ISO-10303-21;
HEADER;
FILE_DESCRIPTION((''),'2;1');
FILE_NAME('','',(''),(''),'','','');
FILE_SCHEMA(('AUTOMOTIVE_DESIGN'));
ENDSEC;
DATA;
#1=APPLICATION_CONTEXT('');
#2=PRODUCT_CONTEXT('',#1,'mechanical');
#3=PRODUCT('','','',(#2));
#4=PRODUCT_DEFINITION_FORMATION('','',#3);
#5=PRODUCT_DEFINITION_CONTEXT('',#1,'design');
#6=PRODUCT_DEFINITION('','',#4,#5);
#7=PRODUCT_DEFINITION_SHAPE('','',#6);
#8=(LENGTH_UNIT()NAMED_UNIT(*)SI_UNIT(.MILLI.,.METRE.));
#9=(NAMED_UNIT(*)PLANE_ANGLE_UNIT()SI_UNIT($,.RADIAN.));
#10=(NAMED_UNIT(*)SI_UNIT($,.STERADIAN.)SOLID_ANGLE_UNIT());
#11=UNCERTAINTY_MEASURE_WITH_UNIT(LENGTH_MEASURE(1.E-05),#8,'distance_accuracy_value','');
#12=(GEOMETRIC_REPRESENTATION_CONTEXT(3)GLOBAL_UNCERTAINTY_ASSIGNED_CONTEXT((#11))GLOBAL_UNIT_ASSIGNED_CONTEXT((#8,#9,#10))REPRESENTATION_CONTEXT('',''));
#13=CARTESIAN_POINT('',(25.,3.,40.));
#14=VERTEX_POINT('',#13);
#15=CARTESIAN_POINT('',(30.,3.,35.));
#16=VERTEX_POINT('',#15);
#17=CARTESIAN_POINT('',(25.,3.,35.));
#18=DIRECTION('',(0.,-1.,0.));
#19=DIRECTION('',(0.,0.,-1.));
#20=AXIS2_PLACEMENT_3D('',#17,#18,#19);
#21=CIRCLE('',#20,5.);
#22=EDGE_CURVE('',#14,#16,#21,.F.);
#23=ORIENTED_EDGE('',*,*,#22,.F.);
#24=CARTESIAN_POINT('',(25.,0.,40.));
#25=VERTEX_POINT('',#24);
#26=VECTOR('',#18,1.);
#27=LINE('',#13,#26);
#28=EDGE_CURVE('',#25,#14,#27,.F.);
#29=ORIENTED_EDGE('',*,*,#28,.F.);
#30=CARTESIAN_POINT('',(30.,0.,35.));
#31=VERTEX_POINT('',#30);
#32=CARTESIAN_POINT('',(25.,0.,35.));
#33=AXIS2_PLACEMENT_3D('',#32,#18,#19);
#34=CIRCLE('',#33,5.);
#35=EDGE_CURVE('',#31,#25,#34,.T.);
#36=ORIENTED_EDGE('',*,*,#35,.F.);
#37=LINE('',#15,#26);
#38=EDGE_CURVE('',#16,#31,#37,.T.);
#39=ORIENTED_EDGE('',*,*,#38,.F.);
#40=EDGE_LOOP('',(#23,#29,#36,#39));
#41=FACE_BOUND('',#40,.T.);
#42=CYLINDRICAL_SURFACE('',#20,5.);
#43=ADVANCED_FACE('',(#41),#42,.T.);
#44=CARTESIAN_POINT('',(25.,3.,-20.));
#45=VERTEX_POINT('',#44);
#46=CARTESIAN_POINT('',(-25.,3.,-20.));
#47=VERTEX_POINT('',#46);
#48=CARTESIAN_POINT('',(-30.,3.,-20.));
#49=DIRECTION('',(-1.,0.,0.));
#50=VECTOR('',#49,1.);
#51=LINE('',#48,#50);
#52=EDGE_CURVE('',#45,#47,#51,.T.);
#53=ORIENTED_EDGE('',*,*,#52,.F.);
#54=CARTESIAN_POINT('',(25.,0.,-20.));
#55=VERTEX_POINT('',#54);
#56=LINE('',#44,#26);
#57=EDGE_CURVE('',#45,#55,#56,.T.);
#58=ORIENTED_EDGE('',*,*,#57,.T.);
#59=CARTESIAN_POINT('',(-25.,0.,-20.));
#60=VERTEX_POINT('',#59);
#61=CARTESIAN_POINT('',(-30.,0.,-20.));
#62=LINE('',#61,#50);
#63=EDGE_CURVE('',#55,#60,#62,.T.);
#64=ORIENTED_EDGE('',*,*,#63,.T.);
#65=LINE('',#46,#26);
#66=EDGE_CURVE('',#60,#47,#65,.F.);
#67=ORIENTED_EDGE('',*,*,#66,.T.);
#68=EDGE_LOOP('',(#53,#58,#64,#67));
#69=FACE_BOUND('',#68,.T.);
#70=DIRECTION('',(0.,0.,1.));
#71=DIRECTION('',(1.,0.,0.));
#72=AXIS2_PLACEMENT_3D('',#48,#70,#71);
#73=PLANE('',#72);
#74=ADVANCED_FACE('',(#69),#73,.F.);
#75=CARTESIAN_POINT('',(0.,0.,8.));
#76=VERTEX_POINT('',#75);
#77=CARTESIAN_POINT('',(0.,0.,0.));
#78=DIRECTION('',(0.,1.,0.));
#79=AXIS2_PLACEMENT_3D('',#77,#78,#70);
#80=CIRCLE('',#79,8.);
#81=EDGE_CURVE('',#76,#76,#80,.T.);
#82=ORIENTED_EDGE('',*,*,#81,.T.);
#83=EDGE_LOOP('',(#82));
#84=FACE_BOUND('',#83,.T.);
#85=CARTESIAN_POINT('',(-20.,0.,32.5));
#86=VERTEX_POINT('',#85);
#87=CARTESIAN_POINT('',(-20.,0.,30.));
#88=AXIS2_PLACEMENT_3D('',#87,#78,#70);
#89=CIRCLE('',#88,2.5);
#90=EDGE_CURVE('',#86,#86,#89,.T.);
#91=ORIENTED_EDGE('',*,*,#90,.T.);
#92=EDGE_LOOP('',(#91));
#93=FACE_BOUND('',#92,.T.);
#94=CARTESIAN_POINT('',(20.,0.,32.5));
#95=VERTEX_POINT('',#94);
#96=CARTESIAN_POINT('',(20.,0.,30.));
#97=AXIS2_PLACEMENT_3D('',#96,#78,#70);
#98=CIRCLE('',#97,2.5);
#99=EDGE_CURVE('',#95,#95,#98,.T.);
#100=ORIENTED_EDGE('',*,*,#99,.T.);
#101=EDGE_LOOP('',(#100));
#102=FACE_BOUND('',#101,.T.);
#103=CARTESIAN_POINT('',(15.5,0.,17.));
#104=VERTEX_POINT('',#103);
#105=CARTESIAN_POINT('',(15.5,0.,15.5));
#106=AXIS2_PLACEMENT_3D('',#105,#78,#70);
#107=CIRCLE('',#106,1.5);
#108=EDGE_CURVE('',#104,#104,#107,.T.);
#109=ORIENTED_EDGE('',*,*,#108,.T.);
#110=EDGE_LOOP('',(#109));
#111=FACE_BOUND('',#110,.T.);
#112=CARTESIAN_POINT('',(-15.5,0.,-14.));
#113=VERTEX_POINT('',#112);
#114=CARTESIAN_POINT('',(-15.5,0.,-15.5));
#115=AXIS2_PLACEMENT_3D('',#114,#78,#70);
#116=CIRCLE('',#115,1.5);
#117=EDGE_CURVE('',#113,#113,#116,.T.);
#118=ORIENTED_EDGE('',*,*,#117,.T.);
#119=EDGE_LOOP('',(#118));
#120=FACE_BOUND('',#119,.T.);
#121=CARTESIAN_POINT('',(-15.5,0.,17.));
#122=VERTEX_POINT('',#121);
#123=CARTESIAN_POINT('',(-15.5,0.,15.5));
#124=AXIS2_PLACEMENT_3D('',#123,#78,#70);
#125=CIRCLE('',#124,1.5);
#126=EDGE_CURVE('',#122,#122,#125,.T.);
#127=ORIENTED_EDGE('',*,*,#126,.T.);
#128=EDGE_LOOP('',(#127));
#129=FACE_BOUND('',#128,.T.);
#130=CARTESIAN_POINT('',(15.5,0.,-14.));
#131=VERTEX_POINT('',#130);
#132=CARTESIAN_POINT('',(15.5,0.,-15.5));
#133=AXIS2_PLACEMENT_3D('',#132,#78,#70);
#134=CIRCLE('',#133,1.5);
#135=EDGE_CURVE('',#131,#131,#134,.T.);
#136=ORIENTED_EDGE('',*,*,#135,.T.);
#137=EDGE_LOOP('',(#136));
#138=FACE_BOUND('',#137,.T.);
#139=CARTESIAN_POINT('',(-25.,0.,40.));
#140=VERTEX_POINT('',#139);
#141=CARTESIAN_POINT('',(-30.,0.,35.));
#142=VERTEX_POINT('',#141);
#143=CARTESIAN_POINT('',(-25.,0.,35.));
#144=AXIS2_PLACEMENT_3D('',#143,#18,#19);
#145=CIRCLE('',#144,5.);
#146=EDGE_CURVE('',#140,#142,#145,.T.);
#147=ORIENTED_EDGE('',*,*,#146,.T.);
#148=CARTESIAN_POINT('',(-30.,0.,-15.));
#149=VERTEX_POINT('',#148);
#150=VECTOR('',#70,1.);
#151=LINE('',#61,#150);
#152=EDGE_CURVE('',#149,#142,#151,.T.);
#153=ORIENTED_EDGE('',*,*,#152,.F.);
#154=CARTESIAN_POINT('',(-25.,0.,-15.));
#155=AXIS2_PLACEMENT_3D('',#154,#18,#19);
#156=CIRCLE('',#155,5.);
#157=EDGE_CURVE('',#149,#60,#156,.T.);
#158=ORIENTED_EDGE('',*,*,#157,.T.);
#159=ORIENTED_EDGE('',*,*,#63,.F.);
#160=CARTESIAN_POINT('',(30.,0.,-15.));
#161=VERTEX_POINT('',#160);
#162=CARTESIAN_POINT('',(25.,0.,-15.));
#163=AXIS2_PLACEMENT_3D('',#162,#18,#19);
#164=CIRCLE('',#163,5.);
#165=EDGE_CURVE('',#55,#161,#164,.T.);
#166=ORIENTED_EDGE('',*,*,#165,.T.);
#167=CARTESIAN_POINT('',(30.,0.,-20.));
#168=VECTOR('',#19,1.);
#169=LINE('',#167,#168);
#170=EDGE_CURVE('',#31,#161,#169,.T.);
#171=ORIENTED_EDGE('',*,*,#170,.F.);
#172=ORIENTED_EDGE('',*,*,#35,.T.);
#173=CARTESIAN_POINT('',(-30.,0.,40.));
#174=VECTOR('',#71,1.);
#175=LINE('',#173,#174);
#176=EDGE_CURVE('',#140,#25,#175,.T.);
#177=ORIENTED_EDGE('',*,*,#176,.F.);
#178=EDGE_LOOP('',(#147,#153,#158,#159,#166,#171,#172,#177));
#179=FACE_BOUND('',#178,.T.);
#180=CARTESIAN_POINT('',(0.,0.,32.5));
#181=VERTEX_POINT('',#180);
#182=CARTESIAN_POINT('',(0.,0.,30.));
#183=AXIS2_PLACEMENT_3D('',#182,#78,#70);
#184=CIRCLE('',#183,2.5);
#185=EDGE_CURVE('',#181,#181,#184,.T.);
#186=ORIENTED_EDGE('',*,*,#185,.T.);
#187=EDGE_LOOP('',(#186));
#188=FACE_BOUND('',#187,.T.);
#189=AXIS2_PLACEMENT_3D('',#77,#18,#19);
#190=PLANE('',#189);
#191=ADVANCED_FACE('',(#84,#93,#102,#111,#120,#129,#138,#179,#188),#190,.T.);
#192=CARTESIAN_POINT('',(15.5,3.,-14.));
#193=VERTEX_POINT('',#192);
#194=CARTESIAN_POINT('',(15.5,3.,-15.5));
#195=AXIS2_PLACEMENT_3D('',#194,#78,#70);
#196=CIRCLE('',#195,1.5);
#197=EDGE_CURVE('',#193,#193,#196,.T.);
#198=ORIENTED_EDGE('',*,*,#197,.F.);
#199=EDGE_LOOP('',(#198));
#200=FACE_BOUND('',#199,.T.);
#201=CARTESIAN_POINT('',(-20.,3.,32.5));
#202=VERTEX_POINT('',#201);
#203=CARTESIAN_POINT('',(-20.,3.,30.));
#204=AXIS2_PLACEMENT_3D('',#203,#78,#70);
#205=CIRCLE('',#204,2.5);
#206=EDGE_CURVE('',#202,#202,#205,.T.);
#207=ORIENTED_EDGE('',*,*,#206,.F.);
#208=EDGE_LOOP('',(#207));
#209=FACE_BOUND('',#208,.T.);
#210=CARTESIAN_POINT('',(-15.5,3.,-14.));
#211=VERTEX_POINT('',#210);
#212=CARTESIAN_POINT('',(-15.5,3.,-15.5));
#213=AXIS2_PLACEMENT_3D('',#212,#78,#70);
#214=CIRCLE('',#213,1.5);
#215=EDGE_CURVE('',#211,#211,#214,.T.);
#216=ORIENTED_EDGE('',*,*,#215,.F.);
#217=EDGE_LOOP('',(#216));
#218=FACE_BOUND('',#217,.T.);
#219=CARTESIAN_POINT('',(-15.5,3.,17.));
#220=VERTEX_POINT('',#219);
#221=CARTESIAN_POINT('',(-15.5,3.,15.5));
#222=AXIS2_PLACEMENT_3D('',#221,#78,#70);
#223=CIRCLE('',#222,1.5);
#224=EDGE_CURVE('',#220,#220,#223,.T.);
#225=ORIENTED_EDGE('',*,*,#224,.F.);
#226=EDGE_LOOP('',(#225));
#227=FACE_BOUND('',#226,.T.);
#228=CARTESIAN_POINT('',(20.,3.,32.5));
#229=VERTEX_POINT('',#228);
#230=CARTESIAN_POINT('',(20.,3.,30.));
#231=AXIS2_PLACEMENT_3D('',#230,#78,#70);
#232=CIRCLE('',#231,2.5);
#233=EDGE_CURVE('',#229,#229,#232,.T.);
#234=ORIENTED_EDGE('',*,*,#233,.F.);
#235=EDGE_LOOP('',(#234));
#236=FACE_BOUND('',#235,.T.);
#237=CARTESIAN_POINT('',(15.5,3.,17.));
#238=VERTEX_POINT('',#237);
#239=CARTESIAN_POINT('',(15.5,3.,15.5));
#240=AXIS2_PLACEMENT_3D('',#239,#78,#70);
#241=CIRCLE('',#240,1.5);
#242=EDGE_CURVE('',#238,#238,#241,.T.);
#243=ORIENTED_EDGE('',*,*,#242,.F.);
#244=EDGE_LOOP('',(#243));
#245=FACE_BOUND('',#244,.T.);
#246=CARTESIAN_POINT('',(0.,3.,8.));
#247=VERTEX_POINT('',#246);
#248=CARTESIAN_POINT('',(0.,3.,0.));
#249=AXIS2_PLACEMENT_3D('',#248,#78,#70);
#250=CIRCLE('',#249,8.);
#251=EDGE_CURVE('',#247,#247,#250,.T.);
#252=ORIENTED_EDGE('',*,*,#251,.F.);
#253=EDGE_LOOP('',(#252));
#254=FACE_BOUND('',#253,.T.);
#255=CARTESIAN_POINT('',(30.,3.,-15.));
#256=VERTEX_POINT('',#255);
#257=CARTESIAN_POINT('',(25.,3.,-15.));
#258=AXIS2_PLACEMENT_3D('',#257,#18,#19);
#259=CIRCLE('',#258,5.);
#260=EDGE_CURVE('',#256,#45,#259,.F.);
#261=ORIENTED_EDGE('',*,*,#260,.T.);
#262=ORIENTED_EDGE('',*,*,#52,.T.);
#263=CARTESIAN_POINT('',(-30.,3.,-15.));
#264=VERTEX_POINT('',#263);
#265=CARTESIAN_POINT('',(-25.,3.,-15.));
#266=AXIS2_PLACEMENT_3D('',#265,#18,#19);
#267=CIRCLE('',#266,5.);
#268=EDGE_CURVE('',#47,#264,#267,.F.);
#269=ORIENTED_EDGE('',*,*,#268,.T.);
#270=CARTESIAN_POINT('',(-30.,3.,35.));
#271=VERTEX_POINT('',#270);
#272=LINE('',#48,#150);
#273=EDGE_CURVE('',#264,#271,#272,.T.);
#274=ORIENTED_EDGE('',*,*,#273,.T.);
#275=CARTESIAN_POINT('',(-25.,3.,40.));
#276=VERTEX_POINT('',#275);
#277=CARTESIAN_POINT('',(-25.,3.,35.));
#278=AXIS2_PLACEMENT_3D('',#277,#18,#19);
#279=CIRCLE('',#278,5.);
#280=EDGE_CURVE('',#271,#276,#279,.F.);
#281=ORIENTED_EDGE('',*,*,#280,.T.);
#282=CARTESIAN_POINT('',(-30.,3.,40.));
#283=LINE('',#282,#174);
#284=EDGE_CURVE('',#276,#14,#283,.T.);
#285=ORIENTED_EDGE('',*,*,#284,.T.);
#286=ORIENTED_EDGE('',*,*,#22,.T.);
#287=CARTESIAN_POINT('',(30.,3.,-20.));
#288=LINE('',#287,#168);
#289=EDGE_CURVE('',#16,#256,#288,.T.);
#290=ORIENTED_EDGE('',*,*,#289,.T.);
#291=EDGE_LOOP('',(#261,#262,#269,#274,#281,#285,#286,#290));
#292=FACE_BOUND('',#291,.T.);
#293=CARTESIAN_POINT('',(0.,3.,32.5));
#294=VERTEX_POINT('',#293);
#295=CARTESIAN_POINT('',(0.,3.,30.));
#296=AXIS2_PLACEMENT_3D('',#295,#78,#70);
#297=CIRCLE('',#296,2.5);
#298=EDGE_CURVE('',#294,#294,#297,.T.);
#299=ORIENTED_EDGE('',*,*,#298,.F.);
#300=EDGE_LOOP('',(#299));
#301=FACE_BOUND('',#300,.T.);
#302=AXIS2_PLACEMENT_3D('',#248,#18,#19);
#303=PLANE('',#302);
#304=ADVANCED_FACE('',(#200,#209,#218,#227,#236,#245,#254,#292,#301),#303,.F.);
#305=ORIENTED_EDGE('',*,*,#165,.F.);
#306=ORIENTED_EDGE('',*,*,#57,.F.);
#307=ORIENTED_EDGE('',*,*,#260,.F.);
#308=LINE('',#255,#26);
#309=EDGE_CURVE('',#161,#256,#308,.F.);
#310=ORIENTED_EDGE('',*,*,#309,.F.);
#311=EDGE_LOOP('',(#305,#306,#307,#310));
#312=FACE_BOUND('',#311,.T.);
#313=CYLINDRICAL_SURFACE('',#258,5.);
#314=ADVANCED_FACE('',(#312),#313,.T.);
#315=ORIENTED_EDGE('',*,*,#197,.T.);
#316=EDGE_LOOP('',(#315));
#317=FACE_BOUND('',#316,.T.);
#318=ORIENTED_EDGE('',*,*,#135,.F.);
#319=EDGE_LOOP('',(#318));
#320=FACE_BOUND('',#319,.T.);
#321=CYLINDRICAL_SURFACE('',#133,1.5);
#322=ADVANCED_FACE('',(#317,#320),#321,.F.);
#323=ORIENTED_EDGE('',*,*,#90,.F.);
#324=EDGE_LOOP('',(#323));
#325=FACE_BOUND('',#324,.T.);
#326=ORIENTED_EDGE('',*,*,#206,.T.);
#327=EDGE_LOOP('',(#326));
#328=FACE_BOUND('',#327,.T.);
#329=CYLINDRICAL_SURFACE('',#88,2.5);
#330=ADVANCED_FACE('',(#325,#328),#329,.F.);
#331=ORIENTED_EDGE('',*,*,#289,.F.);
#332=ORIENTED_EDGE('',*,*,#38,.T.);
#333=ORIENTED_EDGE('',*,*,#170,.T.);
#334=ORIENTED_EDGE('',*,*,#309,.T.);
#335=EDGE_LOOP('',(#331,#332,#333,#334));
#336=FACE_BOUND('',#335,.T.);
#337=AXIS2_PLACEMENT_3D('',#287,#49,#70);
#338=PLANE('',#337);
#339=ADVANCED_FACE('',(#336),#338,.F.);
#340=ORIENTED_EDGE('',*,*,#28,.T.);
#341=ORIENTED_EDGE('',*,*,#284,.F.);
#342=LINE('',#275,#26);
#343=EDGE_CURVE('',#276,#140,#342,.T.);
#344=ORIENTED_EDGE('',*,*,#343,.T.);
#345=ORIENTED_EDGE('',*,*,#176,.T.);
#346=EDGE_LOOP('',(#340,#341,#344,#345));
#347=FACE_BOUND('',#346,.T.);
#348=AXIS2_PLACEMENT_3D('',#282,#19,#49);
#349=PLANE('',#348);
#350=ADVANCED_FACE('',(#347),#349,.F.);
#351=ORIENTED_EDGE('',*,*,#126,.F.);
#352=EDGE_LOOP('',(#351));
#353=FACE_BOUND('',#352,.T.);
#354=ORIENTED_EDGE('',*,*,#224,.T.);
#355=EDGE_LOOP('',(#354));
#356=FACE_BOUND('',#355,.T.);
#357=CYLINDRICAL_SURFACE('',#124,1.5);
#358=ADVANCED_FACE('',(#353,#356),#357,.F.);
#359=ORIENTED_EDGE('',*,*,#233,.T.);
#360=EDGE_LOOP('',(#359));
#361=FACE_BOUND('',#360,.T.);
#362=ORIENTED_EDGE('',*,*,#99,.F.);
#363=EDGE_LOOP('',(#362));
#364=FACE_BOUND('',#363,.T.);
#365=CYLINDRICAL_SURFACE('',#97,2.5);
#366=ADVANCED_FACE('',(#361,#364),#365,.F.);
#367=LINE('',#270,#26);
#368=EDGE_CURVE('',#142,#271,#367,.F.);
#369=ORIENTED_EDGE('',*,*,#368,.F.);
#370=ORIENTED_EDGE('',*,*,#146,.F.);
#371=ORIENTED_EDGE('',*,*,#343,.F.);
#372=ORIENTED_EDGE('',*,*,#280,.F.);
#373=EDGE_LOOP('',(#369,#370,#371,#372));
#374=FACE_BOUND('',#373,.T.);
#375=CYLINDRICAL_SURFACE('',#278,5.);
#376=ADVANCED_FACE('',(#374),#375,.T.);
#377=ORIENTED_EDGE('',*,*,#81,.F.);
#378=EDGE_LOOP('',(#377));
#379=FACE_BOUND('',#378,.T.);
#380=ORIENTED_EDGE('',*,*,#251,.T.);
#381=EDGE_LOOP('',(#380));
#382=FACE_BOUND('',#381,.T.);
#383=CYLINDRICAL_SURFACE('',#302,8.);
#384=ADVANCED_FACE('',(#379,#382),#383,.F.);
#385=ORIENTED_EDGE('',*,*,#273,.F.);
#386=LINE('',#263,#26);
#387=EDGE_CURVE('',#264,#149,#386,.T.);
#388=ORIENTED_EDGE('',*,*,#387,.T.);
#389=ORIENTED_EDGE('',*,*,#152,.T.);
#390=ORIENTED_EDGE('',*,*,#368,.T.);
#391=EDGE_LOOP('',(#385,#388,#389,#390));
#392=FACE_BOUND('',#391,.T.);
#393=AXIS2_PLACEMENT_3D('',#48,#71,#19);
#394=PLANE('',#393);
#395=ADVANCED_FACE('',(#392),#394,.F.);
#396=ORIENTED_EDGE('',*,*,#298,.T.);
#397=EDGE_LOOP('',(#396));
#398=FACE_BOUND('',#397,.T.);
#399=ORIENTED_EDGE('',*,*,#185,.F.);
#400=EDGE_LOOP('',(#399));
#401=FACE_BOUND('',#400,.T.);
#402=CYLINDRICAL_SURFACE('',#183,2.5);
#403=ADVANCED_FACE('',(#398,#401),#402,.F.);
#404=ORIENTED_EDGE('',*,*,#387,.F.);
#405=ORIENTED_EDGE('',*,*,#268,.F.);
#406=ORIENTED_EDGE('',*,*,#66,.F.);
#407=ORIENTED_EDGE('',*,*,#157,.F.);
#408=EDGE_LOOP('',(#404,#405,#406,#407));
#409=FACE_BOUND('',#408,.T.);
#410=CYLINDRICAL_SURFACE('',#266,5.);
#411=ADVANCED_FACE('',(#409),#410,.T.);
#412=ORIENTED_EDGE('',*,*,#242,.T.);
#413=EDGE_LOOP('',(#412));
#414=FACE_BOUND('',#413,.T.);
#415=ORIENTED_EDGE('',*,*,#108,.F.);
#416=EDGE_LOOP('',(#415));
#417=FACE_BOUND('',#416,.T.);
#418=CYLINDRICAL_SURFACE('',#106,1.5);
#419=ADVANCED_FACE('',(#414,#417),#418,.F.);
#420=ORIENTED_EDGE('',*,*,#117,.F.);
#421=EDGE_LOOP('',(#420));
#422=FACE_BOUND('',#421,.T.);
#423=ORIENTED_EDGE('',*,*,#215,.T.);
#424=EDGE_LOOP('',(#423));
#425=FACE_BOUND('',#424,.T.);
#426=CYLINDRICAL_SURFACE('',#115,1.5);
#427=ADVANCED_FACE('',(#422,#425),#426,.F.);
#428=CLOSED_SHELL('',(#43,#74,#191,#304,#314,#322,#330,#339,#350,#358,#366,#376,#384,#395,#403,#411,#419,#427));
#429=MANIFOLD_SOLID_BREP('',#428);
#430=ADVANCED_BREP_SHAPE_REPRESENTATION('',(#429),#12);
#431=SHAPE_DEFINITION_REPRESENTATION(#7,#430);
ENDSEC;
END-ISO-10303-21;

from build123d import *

# Parameters (mm, degrees)
SKETCH1_W            = 60
SKETCH1_H            = 60
SKETCH1_R            = 8
BOSS_EXTRUDE1_DEPTH  = 3
SKETCH2_R            = 1.5
CUT_EXTRUDE1_DEPTH   = 4
LPATTERN1_COUNT      = 2
LPATTERN1_PITCH      = 31
LPATTERN1_COUNT_DIR2 = 2
LPATTERN1_PITCH_DIR2 = 31
SKETCH3_R            = 2.5
CUT_EXTRUDE2_DEPTH   = 4
LPATTERN2_COUNT      = 3
LPATTERN2_PITCH      = 20
FILLET1_R            = 5


with BuildPart() as part:
    # Sketch1 → Boss-Extrude1 (new body)
    with BuildSketch(Plane(origin=(0, 0, 0), x_dir=(1, 0, 0), z_dir=(0, 1, 0))):
        with Locations((0, -10)):
            Rectangle(SKETCH1_W, SKETCH1_H)
        Circle(SKETCH1_R, mode=Mode.SUBTRACT)
    extrude(amount=BOSS_EXTRUDE1_DEPTH)

    # Sketch2 → Cut-Extrude1 (cut, through all)
    with BuildSketch(Plane(origin=(0, 3, 0), x_dir=(1, 0, 0), z_dir=(0, 1, 0))):
        with Locations((-15.5, 15.5)):
            Circle(SKETCH2_R)
    cut_extrude1 = extrude(amount=-CUT_EXTRUDE1_DEPTH, mode=Mode.SUBTRACT)

    # LPattern1: Cut-Extrude1 2 × 2
    with Locations(*[(i * LPATTERN1_PITCH, 0, j * LPATTERN1_PITCH_DIR2) for i in range(LPATTERN1_COUNT) for j in range(LPATTERN1_COUNT_DIR2) if (i, j) != (0, 0)]):
        add(cut_extrude1, mode=Mode.SUBTRACT)

    # Sketch3 → Cut-Extrude2 (cut, through all)
    with BuildSketch(Plane(origin=(0, 3, 0), x_dir=(1, 0, 0), z_dir=(0, 1, 0))):
        with Locations((-20, -30)):
            Circle(SKETCH3_R)
    cut_extrude2 = extrude(amount=-CUT_EXTRUDE2_DEPTH, mode=Mode.SUBTRACT)

    # LPattern2: Cut-Extrude2 ×3
    with Locations(*[(i * LPATTERN2_PITCH, 0, 0) for i in range(1, LPATTERN2_COUNT)]):
        add(cut_extrude2, mode=Mode.SUBTRACT)

    # Fillet1
    fillet1_edges = [part.edges().sort_by_distance(p)[0] for p in [
        (-30, 1.5, 40),
        (-30, 1.5, -20),
        (30, 1.5, -20),
        (30, 1.5, 40),
    ]]
    fillet(fillet1_edges, radius=FILLET1_R)


solid = part.part
